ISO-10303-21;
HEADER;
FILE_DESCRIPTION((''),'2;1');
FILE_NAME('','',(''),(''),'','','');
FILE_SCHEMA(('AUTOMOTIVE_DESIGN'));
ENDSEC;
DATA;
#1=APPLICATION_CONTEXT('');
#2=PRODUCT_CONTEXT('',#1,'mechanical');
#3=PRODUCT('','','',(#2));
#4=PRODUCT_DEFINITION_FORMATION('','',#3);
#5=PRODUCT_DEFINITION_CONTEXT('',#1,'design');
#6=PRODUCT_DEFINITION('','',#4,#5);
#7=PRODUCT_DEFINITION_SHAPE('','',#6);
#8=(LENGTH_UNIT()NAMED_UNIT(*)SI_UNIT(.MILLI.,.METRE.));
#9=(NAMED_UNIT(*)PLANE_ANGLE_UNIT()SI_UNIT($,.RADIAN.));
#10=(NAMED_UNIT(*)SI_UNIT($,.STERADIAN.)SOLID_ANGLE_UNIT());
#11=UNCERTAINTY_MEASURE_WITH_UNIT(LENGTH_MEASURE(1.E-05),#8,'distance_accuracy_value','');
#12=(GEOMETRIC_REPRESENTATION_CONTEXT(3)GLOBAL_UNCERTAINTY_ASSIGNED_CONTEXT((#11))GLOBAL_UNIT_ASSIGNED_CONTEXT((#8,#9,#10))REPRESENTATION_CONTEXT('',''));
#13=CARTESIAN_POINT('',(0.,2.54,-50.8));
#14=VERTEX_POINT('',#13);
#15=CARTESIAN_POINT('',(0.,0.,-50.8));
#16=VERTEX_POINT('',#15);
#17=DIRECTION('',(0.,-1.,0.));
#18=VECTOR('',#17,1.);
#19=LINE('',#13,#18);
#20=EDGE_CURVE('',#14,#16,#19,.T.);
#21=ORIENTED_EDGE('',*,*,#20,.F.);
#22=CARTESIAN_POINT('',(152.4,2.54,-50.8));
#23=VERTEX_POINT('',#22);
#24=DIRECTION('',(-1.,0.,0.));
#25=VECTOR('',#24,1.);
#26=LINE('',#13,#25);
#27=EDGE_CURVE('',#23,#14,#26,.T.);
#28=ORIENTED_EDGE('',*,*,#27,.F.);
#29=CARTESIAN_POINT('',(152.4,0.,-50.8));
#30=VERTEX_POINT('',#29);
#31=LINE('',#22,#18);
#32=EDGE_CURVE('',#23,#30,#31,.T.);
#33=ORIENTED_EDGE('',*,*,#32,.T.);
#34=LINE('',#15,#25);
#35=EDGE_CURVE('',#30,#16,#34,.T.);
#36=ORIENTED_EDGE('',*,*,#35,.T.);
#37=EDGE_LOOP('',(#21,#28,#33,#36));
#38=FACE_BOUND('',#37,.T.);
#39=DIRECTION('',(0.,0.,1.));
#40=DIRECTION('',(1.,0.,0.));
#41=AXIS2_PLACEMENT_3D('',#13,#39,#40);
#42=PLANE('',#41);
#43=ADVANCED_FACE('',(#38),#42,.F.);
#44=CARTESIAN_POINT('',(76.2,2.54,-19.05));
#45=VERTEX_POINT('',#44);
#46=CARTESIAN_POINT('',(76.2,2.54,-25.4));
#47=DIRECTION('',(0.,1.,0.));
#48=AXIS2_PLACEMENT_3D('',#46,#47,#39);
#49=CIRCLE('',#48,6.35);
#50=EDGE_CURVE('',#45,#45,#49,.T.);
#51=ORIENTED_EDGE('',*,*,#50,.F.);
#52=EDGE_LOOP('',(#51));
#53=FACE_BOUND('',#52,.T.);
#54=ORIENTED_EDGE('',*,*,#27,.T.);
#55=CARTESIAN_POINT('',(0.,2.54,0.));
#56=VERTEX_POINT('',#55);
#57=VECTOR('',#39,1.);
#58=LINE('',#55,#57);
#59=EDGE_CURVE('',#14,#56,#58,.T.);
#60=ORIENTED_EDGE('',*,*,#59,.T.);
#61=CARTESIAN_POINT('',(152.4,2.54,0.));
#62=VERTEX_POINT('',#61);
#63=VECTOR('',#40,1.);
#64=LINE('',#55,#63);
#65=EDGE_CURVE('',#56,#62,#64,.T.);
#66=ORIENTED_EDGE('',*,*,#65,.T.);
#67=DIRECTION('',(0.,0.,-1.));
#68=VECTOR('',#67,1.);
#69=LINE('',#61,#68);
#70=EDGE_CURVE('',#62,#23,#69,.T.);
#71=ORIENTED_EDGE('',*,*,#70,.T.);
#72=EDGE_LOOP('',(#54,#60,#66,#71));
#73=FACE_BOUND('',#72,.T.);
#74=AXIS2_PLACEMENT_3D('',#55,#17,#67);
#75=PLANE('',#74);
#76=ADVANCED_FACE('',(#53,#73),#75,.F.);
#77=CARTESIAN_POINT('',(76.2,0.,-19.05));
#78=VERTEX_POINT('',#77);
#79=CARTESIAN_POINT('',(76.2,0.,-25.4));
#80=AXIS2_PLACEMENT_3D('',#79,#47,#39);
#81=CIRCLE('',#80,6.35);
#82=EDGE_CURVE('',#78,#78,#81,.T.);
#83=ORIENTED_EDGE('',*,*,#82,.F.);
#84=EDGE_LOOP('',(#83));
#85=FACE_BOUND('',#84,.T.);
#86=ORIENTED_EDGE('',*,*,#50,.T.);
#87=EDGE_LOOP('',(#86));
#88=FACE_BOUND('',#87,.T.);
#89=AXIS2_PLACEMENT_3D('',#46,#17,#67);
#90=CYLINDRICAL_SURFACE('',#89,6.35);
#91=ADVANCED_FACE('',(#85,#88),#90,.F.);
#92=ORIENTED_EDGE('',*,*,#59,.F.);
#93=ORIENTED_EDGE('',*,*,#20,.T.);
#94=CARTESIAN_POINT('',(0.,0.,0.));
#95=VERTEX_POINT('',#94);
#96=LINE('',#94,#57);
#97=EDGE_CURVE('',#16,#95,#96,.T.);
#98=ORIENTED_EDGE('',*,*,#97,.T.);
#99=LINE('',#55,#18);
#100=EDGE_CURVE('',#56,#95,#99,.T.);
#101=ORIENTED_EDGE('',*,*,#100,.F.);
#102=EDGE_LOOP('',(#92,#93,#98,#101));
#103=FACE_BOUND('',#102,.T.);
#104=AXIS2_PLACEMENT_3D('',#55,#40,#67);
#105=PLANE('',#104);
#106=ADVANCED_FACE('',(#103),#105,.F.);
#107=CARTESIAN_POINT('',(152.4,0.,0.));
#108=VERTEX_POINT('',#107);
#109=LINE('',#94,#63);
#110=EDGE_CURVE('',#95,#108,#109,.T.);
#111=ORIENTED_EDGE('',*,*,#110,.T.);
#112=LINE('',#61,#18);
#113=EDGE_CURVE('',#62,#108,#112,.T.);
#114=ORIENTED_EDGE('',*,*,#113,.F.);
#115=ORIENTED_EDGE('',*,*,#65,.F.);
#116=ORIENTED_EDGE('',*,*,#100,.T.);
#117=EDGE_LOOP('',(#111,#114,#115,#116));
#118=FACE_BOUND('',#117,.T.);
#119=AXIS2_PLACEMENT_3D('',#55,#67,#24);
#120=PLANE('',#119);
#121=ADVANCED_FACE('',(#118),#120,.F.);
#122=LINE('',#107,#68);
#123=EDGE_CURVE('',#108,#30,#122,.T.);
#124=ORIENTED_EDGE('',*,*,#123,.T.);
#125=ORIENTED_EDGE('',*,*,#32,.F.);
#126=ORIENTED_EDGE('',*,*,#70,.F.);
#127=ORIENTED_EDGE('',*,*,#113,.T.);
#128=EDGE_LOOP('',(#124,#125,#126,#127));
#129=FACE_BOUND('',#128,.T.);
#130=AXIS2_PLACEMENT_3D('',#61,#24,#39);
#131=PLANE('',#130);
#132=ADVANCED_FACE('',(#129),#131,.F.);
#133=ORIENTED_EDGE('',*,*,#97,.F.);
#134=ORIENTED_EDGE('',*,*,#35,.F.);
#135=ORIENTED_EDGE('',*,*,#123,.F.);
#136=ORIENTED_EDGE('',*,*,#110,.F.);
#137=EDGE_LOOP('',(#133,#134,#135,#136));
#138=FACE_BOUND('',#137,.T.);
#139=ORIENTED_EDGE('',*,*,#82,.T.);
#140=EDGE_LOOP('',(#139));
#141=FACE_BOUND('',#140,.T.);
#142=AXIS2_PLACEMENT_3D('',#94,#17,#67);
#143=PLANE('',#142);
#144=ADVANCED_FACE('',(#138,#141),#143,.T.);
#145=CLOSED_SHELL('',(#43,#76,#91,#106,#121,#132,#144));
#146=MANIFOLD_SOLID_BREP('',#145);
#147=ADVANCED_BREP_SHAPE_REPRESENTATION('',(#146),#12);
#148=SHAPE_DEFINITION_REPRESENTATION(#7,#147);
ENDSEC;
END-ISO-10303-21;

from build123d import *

# Parameters (mm, degrees)
SKETCH1_W           = 152.4
SKETCH1_H           = 50.8
SKETCH1_R           = 6.35
BOSS_EXTRUDE1_DEPTH = 2.54


with BuildPart() as part:
    # Sketch1 → Boss-Extrude1 (new body)
    with BuildSketch(Plane(origin=(0, 0, 0), x_dir=(1, 0, 0), z_dir=(0, 1, 0))):
        with Locations((76.2, 25.4)):
            Rectangle(SKETCH1_W, SKETCH1_H)
        with Locations(Location((76.2, 25.4, 0), (0, 0, 270))):
            Circle(SKETCH1_R, mode=Mode.SUBTRACT)
    extrude(amount=BOSS_EXTRUDE1_DEPTH)


solid = part.part
